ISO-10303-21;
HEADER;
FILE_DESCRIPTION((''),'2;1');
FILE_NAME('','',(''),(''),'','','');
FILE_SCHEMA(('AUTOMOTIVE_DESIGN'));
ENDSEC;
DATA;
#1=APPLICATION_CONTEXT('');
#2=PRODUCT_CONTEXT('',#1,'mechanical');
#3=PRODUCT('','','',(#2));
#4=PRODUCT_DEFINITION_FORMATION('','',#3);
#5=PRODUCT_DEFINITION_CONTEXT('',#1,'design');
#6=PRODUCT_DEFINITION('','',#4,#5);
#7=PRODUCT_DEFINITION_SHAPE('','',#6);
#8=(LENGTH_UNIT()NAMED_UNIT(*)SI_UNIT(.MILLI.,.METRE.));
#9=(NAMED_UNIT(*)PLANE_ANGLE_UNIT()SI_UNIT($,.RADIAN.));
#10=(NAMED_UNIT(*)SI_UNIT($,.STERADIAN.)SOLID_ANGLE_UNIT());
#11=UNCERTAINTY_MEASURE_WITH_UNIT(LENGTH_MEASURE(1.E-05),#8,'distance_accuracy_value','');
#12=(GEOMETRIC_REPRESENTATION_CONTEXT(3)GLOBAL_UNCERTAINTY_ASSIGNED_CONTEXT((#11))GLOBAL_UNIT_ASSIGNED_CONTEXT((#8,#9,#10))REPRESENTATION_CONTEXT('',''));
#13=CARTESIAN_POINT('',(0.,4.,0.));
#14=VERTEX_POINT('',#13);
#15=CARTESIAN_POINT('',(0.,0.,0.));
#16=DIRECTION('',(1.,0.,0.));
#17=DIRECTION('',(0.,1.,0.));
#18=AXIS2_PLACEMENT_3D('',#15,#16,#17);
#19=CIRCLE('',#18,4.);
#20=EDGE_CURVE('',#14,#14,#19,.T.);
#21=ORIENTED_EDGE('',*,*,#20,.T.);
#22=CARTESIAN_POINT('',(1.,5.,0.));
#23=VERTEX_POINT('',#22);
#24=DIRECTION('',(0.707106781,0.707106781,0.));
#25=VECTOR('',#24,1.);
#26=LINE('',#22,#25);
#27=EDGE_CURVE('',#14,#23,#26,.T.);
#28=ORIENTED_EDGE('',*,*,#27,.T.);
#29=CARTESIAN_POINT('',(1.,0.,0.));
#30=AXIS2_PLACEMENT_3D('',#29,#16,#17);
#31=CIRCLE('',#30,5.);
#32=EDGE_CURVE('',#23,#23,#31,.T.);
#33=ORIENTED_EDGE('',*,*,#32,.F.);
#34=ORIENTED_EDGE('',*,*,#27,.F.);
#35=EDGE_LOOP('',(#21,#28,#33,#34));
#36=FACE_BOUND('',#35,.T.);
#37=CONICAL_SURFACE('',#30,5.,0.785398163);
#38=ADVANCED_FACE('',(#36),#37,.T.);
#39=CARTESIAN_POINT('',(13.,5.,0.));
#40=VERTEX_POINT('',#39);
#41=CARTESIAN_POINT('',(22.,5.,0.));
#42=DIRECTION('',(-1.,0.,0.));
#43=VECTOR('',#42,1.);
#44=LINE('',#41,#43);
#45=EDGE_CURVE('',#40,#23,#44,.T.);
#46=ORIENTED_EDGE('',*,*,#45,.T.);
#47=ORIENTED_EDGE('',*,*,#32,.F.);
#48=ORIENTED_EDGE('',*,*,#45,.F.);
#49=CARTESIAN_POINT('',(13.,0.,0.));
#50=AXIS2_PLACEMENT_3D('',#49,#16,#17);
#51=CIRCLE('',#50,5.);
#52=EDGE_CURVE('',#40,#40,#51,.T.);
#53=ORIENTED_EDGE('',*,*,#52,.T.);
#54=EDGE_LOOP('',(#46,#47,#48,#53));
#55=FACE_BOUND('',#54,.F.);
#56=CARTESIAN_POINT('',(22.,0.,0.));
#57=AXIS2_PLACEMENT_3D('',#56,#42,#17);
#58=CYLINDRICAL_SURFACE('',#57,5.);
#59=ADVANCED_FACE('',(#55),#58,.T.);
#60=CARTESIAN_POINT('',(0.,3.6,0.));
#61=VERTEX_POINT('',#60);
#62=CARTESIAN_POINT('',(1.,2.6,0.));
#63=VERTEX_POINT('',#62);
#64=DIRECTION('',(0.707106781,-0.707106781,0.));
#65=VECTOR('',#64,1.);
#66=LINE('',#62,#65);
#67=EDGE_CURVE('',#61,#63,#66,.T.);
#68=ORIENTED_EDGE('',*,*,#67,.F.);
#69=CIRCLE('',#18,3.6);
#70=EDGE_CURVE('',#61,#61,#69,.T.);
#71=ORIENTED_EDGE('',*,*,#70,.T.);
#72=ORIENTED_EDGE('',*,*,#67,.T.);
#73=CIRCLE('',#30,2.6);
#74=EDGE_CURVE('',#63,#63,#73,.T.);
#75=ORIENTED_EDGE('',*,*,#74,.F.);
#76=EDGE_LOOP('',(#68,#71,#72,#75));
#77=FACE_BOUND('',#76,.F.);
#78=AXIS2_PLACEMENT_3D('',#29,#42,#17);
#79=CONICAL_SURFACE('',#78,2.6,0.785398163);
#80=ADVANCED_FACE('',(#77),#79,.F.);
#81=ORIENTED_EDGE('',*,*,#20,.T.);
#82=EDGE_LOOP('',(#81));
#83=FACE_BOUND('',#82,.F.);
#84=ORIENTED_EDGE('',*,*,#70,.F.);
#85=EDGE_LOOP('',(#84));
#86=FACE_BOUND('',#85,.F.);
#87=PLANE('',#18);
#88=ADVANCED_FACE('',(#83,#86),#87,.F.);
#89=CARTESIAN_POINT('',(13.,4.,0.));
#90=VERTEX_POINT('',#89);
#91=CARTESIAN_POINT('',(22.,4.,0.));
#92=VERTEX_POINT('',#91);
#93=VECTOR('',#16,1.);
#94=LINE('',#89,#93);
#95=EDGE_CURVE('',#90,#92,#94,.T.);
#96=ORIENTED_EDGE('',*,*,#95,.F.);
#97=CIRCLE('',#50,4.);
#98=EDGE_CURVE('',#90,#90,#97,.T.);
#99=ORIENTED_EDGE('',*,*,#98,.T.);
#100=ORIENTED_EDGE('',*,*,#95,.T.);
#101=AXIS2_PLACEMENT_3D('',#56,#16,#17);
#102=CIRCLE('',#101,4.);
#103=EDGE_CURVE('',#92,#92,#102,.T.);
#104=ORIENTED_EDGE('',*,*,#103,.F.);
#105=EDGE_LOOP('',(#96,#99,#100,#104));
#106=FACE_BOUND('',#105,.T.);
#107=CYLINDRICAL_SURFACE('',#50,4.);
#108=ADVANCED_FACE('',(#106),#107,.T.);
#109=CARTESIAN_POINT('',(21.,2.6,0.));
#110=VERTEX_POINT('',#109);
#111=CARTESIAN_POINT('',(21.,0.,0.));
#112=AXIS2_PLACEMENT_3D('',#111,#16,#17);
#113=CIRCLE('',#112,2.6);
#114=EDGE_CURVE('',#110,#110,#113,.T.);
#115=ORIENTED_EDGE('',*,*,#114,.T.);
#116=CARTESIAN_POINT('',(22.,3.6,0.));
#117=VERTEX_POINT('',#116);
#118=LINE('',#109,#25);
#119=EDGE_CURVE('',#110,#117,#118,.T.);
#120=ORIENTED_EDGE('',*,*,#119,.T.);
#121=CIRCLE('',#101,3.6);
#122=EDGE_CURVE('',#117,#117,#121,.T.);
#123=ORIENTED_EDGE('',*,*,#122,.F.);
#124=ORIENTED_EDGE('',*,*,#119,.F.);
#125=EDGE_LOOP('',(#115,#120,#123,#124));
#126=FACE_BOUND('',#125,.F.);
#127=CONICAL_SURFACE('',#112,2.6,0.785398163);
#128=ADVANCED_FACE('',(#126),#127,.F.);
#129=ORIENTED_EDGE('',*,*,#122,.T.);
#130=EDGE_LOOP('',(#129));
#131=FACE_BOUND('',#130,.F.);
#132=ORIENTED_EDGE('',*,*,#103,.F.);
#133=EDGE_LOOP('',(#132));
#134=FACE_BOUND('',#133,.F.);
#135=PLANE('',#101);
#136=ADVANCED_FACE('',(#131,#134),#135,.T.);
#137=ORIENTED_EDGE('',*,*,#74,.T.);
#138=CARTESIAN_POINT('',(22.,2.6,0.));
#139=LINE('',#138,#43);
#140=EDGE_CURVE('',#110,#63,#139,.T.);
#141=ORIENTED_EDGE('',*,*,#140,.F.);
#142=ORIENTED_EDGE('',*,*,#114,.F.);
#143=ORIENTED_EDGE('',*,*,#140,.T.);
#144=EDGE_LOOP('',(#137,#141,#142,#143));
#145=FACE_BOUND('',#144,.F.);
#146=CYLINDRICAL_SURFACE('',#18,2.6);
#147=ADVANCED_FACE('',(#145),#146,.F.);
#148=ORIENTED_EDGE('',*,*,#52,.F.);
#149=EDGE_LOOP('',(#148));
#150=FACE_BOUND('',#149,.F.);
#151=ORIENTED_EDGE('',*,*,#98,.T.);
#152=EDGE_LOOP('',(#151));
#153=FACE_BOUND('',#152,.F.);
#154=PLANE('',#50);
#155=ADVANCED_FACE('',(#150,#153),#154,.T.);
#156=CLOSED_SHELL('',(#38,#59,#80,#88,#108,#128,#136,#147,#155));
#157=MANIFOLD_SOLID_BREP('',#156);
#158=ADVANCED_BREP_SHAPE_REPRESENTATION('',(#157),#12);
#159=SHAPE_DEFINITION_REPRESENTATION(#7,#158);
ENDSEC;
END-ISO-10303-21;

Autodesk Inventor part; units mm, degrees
ref_plane "YZ Plane" through (0, 0, 0) normal (1, 0, 0) x (0, 1, 0)
ref_plane "XZ Plane" through (0, 0, 0) normal (0, 1, 0) x (-1, 0, 0)
ref_plane "XY Plane" through (0, 0, 0) normal (0, 0, 1) x (1, 0, 0)
sketch "Sketch1" plane through (0, 0, 0) normal (0, 0, 1) x (1, 0, 0)
  line L0 (0, 0) -> (22, 0)
  line L1 (22, 0) -> (22, 5)
  line L2 (22, 5) -> (0, 5)
  line L3 (0, 5) -> (0, 0)
  line L4 (22, 0) -> (13, 0)
  line L5 (13, 0) -> (13, 4)
  line L6 (13, 4) -> (22, 4)
  line L7 (22, 4) -> (22, 0)
  line L8 (13, 4) -> (13, 5)
  line L9 (22, 0) -> (0, 0)
  line L10 (0, 0) -> (0, 2.6)
  line L11 (0, 2.6) -> (22, 2.6)
  line L12 (22, 2.6) -> (22, 0)
  dimension "d0" = 22
  dimension "d1" = 5
  dimension "d2" = 9
  dimension "d3" = 4
  dimension "d4" = 2.6
revolve "Revolution1" add sketch "Sketch1" angle 360 about axis through (0, 0, 0) along (1, 0, 0) contours L3 L2 L8 L5 L11 | L5 L6 L1 L11
chamfer "Chamfer1" distance 1 angle 45 3 edges at (22, -2.6, 0) (0, -2.6, 0) (0, -5, 0)
properties part number "Vezetőhüvely"
